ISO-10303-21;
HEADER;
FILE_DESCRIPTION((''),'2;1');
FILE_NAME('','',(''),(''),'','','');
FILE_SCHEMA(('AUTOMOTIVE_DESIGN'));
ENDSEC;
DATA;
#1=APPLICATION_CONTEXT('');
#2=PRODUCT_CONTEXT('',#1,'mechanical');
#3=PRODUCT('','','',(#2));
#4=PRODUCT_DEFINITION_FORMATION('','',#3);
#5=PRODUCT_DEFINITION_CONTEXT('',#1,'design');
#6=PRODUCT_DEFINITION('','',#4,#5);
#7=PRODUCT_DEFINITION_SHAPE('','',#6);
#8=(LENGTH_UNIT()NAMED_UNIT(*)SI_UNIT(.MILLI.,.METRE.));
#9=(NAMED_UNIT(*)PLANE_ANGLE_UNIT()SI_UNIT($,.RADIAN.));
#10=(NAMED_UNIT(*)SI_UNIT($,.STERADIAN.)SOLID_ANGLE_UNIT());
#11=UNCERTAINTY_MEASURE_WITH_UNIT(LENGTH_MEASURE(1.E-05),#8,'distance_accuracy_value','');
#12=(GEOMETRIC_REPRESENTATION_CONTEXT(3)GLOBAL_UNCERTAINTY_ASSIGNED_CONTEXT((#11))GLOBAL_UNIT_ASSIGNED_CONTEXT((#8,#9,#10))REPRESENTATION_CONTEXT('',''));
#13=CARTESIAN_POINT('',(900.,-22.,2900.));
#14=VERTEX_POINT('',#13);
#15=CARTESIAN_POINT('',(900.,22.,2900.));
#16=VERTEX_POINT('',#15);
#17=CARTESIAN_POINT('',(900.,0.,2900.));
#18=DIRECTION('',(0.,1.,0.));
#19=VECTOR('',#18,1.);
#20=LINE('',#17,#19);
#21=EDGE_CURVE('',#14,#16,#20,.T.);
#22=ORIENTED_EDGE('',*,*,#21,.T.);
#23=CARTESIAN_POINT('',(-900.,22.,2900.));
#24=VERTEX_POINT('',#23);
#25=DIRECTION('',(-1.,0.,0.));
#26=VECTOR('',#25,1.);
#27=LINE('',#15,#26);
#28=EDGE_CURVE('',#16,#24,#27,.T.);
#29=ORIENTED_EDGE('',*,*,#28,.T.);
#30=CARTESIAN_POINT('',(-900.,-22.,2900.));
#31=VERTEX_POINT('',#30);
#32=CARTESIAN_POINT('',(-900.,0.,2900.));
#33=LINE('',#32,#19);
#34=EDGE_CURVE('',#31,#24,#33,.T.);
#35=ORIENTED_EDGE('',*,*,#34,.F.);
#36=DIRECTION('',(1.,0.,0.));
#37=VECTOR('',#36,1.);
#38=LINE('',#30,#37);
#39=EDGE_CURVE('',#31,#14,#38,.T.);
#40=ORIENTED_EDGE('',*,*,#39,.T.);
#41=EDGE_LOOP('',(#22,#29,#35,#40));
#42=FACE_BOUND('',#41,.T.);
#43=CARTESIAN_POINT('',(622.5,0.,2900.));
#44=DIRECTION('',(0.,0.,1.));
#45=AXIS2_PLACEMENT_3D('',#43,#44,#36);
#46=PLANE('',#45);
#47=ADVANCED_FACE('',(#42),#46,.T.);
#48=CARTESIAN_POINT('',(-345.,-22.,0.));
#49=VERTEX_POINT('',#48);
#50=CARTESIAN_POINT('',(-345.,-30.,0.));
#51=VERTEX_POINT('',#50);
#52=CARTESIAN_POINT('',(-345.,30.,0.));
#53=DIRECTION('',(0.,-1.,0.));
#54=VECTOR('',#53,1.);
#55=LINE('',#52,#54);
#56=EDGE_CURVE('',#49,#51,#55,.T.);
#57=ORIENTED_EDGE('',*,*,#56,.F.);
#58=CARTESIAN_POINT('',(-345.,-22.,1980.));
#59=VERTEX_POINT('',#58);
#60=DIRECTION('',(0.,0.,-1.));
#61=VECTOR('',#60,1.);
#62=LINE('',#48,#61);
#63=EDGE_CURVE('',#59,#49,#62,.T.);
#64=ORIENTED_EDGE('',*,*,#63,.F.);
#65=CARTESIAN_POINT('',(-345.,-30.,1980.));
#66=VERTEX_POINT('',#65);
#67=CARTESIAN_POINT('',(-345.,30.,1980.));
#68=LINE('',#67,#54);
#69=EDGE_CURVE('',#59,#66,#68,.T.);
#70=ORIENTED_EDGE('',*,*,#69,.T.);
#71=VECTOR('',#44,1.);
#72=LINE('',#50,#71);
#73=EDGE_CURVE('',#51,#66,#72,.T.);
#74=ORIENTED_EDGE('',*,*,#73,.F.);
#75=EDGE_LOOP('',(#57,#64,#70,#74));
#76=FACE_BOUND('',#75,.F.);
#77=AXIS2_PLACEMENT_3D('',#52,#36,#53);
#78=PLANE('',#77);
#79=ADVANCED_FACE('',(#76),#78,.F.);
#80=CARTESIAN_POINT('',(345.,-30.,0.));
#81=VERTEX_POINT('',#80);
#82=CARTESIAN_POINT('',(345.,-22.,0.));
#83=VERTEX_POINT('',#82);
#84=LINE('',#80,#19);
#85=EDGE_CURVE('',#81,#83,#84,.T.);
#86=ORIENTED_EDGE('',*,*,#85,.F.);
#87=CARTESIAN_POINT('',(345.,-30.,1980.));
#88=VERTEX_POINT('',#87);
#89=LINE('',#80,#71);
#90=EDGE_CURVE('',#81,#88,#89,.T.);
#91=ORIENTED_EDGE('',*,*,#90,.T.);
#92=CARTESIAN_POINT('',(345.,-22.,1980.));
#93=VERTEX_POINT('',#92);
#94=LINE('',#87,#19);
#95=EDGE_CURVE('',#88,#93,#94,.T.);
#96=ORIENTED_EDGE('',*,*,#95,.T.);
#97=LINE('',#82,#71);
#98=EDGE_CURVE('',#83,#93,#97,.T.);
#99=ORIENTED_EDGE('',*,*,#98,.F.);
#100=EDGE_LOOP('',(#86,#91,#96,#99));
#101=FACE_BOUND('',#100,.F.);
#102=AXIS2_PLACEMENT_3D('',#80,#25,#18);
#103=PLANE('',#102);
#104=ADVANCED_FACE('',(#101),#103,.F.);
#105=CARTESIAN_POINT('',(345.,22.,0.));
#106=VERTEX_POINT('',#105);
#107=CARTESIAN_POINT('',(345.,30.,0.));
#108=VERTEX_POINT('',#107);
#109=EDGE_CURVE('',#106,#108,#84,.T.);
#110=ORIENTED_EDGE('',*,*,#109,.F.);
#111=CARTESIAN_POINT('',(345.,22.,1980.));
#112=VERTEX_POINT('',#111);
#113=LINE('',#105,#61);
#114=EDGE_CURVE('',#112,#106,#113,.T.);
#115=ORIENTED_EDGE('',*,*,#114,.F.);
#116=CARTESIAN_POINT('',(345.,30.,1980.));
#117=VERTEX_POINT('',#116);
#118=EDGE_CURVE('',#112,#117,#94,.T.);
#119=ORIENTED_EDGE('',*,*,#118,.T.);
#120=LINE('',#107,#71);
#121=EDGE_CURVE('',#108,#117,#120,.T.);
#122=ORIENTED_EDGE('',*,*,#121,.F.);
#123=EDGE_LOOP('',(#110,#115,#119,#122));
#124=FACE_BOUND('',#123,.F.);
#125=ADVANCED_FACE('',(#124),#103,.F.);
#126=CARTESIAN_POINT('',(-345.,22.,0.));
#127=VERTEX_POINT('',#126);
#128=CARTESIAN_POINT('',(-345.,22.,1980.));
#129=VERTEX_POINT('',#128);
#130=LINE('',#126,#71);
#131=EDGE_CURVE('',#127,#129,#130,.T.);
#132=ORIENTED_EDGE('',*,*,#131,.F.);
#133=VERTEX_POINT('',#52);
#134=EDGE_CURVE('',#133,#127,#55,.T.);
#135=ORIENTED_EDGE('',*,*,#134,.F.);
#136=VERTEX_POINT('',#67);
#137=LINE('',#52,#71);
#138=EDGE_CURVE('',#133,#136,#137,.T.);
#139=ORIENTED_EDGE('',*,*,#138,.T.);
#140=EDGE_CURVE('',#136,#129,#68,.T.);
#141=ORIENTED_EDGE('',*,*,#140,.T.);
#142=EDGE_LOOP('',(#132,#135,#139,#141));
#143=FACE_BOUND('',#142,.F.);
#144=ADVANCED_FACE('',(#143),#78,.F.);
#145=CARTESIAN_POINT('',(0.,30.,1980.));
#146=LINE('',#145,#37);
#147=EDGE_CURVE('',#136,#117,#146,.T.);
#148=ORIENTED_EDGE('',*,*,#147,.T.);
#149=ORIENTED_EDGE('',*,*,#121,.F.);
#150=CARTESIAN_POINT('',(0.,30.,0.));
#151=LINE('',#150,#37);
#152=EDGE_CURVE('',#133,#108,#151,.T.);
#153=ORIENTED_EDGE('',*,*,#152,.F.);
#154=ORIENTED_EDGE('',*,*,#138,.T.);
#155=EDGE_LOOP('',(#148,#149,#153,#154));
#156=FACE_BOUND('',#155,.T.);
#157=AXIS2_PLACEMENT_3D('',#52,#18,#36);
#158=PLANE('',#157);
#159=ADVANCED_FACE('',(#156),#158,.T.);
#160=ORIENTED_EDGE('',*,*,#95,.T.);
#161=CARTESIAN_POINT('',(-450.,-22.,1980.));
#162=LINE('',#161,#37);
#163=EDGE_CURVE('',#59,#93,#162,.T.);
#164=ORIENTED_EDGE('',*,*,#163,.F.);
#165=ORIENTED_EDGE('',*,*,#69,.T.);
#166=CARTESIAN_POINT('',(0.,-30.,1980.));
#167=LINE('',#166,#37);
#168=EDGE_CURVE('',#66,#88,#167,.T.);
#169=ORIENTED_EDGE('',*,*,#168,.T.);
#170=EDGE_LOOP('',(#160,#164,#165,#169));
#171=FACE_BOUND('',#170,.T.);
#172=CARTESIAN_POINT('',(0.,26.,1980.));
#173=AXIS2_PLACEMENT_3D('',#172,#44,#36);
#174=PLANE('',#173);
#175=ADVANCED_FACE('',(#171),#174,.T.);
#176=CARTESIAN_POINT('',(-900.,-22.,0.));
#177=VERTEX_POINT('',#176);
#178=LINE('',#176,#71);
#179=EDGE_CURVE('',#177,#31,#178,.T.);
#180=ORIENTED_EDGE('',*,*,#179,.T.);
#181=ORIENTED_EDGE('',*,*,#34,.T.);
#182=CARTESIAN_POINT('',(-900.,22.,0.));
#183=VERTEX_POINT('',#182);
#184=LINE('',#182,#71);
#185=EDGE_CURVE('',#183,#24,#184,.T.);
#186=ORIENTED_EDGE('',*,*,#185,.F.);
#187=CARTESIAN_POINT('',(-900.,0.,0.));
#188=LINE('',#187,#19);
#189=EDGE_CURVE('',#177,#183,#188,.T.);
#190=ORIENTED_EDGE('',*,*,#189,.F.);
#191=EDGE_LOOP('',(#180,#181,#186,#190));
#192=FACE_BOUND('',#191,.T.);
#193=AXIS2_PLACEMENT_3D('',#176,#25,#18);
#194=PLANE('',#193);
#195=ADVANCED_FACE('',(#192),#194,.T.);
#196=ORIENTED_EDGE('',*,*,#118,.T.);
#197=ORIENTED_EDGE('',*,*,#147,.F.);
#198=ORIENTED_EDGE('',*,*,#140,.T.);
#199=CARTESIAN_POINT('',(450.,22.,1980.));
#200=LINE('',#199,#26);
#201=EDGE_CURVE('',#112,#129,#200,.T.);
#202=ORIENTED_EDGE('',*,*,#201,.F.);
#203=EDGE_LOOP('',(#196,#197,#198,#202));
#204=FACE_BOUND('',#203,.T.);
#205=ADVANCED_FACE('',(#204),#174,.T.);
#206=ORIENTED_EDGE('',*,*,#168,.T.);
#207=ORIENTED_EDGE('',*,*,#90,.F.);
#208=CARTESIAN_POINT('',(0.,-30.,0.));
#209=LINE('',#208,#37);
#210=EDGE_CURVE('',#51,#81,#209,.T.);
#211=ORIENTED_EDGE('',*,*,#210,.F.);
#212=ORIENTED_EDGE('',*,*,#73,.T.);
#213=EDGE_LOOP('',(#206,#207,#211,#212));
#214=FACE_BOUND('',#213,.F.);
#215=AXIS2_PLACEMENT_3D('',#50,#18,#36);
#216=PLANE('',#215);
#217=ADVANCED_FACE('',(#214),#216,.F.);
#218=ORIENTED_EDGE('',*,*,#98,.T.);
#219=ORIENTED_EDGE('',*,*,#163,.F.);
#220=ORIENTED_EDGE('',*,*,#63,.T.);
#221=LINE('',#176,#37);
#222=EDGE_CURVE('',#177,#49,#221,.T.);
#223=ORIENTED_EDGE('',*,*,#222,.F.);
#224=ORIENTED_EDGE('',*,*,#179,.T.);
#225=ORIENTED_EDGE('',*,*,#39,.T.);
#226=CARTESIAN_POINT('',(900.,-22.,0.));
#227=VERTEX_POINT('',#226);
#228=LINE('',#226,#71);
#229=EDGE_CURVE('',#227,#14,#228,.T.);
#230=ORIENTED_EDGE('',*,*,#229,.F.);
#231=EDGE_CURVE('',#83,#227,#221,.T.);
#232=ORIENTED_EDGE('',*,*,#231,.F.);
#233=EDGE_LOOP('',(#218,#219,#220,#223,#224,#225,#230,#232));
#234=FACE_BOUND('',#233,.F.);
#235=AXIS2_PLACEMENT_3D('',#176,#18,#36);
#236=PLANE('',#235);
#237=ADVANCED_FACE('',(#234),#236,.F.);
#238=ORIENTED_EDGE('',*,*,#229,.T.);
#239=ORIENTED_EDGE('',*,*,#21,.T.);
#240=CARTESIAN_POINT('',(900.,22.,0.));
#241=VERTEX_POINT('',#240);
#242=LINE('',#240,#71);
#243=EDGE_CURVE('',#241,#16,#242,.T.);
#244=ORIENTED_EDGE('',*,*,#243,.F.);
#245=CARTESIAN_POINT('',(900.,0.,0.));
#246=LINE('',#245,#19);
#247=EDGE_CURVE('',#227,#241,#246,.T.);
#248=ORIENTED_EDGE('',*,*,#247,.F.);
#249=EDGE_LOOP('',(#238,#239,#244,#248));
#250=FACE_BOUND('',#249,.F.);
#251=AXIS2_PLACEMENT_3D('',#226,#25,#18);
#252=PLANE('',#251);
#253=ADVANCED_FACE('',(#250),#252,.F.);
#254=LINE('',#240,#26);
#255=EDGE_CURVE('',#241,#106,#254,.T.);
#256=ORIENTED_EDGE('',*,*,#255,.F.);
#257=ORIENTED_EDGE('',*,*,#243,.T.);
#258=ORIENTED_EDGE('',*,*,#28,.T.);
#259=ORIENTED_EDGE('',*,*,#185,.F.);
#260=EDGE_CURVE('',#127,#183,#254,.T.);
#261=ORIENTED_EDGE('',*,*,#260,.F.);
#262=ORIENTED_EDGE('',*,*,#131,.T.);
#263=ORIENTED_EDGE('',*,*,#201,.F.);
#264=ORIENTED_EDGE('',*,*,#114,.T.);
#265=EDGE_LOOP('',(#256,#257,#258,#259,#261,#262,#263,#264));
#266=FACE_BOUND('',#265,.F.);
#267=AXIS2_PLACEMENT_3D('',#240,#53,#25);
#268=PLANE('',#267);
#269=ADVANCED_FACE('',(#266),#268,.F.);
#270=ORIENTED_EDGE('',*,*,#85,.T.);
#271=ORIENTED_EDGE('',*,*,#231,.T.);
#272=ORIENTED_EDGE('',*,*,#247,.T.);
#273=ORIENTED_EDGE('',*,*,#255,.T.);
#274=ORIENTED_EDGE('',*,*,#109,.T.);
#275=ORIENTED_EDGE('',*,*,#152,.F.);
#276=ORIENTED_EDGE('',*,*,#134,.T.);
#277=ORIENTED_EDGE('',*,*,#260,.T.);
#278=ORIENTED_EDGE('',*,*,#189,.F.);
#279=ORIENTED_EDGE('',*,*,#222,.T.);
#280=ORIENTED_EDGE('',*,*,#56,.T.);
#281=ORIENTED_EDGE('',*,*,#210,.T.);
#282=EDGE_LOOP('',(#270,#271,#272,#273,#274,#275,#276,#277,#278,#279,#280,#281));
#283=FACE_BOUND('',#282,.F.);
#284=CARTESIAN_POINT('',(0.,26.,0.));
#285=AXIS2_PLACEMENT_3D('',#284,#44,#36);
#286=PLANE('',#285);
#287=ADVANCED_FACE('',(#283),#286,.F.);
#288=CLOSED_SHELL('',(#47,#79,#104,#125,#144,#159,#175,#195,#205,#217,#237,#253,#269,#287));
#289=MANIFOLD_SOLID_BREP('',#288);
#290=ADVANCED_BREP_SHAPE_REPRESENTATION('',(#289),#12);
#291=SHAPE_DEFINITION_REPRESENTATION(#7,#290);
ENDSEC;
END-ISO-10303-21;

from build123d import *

# Parameters (mm, degrees)
F0_W     = 555
F0_H     = 44
F0_W_2   = 690
F1_DEPTH = 2900
F0_H_2   = 8
F2_DEPTH = 1980


with BuildPart() as f1:
    # F0 (on Top) → F1 (new body)
    with BuildSketch(Plane.XY):
        with Locations((622.5, 0)):
            Rectangle(F0_W, F0_H)
        Rectangle(F0_W_2, F0_H)
        with Locations((-622.5, 0)):
            Rectangle(F0_W, F0_H)
    extrude(amount=F1_DEPTH)

    # F0 (on Top) → F2 (join)
    with BuildSketch(Plane.XY):
        with Locations((0, 26)):
            Rectangle(F0_W_2, F0_H_2)
        Rectangle(F0_W_2, F0_H)
        with Locations((0, -26)):
            Rectangle(F0_W_2, F0_H_2)
    extrude(amount=F2_DEPTH)


solid = f1.part
